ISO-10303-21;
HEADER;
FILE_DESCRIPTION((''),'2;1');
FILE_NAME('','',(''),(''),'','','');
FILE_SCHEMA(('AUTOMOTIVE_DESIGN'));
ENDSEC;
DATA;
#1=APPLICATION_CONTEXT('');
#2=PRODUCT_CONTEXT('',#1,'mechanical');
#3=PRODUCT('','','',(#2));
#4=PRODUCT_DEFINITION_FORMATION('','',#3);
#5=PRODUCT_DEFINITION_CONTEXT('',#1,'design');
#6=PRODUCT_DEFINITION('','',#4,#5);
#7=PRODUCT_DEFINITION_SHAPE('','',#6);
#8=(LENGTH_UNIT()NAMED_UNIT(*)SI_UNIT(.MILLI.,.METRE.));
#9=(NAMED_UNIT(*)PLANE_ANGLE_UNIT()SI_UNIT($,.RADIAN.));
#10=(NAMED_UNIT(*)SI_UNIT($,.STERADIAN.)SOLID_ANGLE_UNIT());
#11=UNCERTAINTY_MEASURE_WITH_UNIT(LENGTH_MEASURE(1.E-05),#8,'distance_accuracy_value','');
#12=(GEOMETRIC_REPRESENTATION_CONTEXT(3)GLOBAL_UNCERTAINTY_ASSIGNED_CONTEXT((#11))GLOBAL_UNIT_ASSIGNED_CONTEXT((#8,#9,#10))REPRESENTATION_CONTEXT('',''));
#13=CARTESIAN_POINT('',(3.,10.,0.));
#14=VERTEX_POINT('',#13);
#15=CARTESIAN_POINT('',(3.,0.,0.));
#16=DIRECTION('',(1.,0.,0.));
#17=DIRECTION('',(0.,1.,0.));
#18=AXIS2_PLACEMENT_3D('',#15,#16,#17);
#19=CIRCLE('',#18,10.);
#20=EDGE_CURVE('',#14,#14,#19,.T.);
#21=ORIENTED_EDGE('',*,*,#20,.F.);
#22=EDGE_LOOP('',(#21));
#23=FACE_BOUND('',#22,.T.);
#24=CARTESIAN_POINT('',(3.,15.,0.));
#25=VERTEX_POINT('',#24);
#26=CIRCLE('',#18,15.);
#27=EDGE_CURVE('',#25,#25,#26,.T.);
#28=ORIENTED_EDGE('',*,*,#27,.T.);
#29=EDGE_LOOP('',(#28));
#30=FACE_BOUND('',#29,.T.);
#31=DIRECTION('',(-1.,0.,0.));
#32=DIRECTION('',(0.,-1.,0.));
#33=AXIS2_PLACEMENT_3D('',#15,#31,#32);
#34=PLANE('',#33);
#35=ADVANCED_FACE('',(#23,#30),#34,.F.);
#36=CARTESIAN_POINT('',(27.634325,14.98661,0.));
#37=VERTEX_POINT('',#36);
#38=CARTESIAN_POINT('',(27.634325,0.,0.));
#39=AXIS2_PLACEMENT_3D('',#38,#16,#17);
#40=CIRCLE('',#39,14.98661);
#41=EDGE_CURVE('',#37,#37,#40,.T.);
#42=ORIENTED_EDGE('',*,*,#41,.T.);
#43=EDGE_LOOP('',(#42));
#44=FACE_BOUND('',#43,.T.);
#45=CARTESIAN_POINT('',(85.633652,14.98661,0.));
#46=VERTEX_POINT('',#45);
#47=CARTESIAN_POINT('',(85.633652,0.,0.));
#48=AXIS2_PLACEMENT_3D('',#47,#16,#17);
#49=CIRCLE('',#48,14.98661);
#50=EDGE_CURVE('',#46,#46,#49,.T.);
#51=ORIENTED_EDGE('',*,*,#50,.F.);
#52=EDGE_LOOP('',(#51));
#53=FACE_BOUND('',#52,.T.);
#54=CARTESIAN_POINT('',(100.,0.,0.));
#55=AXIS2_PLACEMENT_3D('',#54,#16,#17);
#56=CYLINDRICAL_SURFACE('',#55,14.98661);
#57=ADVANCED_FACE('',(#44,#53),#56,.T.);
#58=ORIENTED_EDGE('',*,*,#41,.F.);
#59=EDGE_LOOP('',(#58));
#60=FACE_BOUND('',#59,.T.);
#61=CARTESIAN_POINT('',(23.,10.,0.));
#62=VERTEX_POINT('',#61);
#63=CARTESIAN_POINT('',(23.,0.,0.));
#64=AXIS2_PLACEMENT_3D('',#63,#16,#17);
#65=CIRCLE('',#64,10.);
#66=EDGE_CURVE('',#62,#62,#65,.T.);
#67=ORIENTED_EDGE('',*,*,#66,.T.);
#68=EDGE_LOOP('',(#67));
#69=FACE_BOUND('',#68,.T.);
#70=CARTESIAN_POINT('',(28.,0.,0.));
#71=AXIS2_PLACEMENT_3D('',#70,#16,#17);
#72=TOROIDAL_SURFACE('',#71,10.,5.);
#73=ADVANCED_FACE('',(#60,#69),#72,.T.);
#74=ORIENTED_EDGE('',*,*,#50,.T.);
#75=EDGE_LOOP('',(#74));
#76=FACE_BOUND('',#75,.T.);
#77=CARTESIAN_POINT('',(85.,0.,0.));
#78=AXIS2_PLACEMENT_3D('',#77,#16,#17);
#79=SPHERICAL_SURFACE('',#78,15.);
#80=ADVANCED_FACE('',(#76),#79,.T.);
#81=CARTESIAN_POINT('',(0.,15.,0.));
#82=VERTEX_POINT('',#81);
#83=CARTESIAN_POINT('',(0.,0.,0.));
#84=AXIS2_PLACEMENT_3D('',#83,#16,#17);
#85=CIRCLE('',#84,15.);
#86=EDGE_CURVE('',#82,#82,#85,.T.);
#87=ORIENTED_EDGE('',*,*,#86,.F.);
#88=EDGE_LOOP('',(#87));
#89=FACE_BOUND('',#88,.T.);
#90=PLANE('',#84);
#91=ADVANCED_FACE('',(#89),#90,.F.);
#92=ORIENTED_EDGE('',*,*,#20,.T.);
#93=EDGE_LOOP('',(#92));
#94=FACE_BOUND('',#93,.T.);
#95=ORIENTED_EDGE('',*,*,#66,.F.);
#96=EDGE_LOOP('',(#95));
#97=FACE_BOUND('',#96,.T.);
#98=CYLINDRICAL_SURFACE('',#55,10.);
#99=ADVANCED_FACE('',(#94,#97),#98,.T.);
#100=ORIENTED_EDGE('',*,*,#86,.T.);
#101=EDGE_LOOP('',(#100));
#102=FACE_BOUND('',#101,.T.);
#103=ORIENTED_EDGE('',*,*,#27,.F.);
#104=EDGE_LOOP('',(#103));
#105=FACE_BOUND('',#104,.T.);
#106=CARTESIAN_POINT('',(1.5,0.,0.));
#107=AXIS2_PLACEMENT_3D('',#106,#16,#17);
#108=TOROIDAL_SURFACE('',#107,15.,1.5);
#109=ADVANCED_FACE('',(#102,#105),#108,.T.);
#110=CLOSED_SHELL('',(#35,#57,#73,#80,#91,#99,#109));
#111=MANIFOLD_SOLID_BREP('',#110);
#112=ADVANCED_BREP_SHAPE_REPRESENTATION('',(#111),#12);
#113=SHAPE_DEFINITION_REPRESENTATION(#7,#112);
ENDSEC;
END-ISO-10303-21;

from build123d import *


with BuildPart() as part:
    # Sketch1 → Revolve1 (revolve)
    with BuildSketch(Plane.XY):
        with BuildLine():
            Line((0, 15), (0, 0))
            Line((0, 0), (100, 0))
            ThreePointArc((100, 0), (95.828314101, 10.380154803), (85.633651502, 14.986610216))
            Line((85.633651502, 14.986610216), (27.634324528, 14.986610216))
            ThreePointArc((27.634324528, 14.986610216), (24.337461443, 13.403793666), (23, 10))
            Line((23, 10), (3, 10))
            Line((3, 10), (3, 15))
            ThreePointArc((3, 15), (1.5, 16.5), (0, 15))
        make_face()
    revolve(axis=Axis((100, 0, 0), (-1, 0, 0)))


solid = part.part
